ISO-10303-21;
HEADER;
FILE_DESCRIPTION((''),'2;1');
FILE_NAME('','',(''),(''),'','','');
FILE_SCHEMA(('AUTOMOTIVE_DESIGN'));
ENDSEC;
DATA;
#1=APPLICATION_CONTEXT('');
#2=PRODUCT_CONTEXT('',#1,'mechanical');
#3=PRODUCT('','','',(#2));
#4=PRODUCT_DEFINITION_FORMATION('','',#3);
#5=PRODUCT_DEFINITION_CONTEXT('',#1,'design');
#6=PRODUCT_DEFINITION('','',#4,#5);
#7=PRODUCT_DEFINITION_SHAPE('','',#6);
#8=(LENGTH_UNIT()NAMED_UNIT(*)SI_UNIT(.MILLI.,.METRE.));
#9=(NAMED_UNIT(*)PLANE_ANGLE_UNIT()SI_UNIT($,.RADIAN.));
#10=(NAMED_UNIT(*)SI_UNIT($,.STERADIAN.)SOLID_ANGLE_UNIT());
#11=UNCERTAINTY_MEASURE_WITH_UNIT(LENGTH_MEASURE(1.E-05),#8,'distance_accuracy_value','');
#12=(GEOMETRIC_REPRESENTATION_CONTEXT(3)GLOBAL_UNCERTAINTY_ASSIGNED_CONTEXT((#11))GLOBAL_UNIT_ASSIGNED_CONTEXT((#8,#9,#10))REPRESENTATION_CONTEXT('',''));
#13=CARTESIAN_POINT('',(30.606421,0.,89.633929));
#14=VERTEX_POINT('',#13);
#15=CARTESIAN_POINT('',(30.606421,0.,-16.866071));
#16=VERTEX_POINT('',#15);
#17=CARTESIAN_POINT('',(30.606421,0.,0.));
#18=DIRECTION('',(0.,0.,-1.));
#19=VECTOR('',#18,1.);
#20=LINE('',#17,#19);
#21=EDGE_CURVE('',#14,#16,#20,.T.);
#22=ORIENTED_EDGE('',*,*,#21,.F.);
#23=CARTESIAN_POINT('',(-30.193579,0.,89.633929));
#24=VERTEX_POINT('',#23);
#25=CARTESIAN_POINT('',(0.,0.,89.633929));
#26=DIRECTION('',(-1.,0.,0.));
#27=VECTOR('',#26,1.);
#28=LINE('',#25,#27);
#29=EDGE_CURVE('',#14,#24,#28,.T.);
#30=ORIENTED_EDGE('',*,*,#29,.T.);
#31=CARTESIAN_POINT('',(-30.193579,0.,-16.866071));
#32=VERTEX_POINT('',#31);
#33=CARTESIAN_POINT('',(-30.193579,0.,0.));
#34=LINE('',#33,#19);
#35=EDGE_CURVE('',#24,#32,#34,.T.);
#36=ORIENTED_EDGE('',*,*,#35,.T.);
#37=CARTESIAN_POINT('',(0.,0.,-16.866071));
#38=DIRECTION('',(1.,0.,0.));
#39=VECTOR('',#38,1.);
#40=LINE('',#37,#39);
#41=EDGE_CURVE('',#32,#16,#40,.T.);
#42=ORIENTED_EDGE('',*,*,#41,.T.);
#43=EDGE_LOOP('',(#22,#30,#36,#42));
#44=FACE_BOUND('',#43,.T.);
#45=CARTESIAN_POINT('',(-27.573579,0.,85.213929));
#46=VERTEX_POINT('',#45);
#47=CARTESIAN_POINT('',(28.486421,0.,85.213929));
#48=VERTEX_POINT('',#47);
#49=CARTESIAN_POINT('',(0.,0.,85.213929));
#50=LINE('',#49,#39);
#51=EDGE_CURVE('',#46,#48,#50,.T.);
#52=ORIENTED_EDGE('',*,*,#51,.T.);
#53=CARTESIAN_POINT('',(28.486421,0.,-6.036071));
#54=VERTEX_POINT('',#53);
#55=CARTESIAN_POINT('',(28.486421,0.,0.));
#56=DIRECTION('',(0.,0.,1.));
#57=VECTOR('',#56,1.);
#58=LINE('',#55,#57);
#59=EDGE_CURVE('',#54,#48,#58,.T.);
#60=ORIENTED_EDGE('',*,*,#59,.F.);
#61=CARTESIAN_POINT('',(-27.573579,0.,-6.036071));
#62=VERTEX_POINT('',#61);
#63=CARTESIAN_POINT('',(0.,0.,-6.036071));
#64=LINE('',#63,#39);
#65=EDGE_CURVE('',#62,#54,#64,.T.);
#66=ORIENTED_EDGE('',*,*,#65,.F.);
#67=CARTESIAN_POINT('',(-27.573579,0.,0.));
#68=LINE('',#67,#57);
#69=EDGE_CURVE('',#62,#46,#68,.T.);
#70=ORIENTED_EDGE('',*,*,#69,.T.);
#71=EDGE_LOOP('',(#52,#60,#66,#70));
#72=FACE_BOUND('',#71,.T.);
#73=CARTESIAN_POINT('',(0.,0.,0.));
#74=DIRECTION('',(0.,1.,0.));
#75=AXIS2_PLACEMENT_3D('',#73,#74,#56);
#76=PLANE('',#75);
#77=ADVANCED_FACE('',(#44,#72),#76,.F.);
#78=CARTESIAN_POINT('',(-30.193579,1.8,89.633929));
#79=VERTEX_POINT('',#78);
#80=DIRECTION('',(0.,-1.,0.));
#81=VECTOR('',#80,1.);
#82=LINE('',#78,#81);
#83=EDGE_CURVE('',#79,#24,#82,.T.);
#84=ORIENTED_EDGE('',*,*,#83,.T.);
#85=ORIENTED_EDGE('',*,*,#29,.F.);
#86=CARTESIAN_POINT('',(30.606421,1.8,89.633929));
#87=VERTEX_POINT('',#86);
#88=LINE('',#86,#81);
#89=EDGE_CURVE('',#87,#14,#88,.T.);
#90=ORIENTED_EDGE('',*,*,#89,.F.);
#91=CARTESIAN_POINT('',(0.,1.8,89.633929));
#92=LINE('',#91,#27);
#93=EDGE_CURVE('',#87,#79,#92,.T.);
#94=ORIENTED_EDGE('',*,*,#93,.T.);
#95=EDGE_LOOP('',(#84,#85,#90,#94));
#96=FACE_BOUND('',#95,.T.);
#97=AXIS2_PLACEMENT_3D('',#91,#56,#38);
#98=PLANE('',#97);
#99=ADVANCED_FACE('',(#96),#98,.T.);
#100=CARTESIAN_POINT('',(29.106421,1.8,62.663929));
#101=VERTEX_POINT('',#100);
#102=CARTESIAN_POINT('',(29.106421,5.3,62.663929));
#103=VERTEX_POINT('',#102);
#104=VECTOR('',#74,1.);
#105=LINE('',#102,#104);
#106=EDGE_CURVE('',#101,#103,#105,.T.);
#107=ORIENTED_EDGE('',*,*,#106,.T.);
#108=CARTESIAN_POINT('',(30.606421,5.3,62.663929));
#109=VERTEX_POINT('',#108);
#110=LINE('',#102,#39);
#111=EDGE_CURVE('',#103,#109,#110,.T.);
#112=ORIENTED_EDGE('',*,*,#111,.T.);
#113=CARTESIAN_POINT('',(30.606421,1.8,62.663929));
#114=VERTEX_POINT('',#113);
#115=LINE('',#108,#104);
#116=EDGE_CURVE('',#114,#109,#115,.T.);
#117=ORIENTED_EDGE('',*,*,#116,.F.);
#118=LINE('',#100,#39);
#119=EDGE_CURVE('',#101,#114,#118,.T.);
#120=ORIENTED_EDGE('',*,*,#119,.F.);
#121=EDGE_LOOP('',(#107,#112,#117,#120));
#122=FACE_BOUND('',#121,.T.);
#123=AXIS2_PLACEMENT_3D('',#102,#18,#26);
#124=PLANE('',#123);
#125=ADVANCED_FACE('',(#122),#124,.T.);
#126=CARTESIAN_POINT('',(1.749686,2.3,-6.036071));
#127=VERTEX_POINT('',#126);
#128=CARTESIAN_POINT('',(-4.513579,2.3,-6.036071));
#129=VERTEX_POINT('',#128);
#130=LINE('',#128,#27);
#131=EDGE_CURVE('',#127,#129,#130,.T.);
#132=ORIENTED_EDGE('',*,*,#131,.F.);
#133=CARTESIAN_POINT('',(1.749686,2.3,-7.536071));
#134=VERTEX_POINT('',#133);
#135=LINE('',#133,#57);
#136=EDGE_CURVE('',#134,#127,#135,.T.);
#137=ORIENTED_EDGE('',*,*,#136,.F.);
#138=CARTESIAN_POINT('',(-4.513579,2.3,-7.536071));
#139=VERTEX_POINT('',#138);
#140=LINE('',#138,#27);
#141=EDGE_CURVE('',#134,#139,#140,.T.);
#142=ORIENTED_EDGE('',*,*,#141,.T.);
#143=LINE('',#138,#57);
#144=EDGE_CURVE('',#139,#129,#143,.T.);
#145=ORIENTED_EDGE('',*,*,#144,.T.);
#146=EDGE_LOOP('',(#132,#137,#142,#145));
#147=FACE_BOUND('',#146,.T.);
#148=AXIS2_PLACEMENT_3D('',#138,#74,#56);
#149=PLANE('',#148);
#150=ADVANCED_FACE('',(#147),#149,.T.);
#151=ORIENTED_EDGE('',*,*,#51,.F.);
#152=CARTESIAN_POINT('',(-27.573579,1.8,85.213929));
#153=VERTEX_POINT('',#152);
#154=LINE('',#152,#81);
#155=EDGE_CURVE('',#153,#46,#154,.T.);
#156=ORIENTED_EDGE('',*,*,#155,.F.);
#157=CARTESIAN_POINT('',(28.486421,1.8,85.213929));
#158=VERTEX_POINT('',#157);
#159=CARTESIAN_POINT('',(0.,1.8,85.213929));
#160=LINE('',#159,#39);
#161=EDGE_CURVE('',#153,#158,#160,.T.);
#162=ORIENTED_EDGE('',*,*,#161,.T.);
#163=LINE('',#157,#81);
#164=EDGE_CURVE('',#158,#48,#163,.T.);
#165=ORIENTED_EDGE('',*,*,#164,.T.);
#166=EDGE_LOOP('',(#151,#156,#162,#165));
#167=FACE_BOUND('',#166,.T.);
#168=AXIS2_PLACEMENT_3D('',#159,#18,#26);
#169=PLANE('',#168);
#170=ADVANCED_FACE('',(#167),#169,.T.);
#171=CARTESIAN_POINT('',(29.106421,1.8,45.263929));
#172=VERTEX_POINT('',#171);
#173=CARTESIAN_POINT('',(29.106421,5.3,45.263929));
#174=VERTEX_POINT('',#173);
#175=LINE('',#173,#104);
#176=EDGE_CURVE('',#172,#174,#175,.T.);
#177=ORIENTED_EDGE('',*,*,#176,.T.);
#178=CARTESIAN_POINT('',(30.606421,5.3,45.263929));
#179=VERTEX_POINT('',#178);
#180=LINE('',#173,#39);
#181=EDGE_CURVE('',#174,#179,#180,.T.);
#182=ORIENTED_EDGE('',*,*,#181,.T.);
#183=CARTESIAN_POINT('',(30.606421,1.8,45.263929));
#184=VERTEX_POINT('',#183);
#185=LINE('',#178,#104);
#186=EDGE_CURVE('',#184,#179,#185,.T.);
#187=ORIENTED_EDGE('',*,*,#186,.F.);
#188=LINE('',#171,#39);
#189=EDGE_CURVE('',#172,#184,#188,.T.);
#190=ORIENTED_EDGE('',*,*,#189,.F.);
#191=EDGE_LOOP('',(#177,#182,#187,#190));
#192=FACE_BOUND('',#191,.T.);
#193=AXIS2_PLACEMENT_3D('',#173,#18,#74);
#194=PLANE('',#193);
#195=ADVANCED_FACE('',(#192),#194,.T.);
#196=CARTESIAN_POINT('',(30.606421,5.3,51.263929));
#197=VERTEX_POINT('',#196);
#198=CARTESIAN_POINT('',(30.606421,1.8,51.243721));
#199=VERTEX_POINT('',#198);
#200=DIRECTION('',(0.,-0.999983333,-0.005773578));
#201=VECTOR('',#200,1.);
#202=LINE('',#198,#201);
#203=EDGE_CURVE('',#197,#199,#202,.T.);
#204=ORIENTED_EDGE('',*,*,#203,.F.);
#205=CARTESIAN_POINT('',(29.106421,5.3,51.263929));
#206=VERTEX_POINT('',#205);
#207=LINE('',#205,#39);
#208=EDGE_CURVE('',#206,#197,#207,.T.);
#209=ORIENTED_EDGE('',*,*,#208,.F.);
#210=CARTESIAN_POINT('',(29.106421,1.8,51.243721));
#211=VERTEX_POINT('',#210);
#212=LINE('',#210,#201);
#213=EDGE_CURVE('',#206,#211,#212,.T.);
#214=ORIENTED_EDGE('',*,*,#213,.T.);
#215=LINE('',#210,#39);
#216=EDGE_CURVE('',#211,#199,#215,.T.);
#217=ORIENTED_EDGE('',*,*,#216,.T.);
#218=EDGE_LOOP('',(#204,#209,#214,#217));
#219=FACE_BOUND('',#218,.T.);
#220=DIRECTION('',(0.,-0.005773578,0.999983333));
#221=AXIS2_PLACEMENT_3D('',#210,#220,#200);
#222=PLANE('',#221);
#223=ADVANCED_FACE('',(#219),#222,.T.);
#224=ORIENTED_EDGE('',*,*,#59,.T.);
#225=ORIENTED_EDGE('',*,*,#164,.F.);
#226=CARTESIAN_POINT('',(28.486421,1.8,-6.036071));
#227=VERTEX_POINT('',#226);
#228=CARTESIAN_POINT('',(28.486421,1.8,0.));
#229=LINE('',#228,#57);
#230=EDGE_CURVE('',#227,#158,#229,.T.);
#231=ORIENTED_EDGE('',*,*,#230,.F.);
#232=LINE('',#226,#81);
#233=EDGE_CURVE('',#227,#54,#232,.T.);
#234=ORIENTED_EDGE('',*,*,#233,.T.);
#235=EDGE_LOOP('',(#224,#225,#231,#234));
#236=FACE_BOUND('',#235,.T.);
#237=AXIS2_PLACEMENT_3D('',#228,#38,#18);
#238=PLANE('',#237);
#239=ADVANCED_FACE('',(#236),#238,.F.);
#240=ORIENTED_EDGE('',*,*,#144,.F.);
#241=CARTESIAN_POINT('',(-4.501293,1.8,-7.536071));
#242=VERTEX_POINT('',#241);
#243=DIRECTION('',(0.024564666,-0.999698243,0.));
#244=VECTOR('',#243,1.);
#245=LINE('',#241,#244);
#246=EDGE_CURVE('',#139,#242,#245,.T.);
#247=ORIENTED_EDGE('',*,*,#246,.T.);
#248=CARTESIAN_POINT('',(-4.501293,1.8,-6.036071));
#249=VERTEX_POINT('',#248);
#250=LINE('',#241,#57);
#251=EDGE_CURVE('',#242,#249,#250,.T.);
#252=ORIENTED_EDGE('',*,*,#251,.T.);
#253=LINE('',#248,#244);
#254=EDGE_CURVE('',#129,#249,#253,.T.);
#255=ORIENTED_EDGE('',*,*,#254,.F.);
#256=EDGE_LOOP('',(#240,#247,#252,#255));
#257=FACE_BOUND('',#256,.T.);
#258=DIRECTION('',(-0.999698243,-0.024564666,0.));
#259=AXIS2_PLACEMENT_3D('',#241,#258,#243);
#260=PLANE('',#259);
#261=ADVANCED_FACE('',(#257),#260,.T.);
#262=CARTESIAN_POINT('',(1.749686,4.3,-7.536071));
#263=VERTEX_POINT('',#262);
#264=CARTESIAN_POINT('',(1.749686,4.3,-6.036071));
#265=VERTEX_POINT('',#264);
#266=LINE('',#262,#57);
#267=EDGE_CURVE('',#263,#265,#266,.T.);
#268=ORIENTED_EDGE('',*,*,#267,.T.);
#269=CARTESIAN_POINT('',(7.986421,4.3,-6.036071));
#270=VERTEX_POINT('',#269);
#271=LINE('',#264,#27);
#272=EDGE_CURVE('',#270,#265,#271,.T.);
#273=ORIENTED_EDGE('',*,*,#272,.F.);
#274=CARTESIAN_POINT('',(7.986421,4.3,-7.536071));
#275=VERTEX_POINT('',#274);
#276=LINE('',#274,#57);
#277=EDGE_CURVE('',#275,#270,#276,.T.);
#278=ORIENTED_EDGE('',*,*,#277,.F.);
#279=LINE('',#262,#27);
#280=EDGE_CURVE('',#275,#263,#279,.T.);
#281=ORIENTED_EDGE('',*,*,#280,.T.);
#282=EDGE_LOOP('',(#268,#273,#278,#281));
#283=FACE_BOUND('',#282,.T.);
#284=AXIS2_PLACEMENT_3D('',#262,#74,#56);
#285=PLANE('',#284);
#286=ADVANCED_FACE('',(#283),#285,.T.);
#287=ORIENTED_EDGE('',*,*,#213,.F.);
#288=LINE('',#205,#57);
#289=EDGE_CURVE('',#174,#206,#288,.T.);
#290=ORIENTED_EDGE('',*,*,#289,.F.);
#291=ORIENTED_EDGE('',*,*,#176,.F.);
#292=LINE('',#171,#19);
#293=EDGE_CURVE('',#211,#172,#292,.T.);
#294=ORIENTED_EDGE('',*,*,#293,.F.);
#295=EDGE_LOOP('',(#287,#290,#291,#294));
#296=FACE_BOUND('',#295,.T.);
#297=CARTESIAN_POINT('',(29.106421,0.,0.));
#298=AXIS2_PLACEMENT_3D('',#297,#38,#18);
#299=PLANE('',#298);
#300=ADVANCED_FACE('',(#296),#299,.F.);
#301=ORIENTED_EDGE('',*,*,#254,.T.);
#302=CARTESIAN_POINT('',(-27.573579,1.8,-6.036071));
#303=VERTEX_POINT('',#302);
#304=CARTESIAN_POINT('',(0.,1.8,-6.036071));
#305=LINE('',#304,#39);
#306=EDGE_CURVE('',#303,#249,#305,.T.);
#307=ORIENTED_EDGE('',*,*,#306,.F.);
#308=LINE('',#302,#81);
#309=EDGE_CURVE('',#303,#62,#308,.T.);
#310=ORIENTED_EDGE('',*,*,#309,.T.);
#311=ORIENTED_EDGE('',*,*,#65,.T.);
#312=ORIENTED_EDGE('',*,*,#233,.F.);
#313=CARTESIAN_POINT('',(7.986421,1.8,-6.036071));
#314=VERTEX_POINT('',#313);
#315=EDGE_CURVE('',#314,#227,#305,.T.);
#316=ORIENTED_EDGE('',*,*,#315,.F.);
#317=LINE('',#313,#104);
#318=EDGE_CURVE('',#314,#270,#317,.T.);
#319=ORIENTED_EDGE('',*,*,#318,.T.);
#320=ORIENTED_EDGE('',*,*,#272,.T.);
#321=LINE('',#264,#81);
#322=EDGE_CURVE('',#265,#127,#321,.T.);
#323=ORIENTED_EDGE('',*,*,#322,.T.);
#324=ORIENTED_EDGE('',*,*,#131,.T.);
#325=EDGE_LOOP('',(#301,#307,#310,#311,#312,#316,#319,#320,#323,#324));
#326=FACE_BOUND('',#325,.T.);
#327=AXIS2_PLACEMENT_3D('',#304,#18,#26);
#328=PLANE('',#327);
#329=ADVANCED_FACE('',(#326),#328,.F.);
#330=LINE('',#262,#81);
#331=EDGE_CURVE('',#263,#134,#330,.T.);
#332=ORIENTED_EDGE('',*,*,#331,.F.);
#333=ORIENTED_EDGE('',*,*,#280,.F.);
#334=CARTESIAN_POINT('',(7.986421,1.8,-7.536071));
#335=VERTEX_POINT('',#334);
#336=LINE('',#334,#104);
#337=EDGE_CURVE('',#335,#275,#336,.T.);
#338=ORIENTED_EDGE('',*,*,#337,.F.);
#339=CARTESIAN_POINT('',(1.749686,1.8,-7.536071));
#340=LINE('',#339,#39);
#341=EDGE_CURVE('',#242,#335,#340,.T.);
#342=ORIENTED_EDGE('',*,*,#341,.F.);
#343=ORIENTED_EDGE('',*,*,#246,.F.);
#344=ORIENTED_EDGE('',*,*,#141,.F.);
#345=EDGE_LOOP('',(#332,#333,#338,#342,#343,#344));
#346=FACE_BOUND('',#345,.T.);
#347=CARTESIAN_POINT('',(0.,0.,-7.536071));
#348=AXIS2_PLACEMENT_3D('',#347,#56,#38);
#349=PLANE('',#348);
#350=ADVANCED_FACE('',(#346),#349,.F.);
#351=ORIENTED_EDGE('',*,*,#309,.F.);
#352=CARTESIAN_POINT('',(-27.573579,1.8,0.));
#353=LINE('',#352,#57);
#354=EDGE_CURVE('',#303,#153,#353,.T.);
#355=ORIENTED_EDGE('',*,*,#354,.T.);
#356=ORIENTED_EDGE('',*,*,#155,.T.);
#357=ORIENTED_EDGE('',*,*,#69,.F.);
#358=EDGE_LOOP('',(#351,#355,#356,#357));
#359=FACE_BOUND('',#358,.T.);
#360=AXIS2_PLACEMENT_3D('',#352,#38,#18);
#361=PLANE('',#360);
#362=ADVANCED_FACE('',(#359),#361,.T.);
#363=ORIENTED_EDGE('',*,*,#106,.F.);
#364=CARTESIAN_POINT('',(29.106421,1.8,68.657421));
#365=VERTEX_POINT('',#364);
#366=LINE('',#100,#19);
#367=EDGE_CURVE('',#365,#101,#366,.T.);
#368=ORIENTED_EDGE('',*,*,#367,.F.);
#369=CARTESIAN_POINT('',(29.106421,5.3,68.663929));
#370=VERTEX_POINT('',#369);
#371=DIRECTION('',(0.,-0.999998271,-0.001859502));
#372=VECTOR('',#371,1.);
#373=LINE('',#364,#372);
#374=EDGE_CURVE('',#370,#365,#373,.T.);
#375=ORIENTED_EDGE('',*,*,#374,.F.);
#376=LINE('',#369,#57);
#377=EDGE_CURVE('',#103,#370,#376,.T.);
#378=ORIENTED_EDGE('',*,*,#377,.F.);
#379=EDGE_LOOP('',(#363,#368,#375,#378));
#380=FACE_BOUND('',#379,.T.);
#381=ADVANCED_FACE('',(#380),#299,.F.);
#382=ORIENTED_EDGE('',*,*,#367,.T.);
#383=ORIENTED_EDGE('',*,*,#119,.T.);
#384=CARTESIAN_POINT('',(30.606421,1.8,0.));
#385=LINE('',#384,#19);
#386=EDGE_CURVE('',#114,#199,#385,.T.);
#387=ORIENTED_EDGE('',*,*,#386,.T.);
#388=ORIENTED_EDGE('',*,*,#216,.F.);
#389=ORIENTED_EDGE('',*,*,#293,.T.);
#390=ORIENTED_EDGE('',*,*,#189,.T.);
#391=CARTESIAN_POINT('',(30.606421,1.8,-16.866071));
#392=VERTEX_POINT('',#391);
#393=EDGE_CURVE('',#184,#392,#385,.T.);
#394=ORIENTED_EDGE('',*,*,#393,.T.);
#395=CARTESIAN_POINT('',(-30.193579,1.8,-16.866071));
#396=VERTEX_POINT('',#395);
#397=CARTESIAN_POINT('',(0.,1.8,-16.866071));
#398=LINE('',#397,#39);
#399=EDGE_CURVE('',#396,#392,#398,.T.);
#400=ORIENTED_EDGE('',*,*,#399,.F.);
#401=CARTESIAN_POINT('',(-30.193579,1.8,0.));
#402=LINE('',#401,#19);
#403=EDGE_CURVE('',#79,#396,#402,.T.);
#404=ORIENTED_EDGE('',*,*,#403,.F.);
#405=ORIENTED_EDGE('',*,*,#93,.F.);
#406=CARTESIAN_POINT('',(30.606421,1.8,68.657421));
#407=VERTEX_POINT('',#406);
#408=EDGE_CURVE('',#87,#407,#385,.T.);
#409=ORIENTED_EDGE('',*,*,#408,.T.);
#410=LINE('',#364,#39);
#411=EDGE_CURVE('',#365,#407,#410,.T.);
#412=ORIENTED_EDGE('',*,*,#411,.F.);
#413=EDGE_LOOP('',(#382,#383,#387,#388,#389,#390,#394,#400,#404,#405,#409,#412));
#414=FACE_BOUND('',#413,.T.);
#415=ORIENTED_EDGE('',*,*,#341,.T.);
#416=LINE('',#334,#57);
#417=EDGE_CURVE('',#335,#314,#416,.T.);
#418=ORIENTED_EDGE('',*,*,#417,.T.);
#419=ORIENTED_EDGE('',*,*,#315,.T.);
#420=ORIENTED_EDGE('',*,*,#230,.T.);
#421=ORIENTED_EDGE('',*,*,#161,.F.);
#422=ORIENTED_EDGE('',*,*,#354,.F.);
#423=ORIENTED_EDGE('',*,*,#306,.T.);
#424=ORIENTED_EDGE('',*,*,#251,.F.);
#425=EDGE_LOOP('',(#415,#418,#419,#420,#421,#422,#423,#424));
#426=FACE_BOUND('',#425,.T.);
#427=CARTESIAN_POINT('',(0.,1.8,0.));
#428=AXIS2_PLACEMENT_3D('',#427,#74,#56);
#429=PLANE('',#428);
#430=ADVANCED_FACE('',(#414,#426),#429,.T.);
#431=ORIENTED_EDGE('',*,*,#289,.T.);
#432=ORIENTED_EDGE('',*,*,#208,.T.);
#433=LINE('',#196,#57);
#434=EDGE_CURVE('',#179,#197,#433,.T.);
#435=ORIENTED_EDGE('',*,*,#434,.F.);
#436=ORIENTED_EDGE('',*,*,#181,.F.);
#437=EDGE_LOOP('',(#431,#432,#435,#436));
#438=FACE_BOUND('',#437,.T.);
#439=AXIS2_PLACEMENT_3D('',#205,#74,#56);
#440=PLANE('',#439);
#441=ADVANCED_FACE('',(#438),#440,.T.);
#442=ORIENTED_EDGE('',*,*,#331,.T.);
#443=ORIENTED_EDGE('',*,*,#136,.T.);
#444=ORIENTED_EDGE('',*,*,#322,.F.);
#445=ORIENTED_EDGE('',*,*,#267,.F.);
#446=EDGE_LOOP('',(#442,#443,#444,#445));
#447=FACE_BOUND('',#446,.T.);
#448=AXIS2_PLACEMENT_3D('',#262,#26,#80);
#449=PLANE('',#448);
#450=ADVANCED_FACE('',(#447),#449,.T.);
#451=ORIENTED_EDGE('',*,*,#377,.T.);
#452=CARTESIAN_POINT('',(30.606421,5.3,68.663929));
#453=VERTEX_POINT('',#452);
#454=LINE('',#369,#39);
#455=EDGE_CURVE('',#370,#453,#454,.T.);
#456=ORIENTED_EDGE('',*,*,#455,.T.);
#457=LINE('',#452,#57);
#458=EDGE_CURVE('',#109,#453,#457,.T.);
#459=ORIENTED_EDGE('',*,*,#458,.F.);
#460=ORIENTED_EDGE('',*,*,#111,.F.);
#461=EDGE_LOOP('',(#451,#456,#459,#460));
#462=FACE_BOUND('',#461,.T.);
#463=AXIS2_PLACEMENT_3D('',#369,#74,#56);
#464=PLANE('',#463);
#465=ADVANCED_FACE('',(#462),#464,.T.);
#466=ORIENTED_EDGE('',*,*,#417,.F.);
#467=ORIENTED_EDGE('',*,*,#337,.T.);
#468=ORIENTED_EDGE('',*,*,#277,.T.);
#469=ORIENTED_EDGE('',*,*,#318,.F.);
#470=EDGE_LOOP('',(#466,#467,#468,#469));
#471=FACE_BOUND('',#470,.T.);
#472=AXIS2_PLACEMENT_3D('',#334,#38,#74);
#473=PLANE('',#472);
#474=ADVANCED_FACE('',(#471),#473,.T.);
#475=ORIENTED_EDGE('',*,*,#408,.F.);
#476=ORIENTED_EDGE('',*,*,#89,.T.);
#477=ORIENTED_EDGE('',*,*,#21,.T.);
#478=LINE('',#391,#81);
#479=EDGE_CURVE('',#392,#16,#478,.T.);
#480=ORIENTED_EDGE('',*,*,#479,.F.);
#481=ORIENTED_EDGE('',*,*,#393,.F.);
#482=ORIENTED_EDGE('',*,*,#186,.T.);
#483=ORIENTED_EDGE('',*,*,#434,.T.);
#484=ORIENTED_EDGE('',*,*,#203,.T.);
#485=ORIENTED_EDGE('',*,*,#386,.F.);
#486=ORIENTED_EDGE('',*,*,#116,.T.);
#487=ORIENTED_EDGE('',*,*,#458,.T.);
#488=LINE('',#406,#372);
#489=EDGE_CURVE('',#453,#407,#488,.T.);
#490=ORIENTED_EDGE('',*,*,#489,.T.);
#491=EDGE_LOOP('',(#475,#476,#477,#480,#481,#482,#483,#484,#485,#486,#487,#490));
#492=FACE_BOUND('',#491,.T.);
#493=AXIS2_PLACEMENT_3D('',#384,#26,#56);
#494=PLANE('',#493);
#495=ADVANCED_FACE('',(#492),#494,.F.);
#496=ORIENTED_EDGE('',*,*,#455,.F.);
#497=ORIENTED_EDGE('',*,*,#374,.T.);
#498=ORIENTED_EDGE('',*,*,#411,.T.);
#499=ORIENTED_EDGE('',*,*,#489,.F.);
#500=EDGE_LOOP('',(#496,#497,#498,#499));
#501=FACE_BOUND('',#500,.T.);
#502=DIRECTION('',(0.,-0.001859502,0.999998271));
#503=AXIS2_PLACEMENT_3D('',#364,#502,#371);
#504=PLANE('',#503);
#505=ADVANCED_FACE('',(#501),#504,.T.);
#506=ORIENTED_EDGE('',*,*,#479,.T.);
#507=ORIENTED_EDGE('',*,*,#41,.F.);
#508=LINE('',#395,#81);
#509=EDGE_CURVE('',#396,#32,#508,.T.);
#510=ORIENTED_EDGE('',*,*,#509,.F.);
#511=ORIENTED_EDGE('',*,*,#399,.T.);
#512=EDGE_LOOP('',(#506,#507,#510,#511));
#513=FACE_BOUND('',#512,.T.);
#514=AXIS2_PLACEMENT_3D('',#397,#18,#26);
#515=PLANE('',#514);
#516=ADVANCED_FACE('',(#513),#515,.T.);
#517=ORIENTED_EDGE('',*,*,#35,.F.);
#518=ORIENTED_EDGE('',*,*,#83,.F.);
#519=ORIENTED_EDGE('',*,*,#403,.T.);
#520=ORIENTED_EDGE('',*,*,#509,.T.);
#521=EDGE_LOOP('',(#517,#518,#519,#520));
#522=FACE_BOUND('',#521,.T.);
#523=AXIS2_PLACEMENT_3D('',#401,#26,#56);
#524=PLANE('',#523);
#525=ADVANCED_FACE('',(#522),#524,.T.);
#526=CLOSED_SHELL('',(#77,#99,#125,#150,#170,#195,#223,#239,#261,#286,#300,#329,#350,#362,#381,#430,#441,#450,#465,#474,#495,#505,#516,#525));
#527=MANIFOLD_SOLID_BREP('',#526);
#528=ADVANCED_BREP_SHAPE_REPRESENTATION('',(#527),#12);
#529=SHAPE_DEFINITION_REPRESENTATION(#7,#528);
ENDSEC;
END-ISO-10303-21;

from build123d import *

# Parameters (mm, degrees)
SKETCH1_W           = 56.06
SKETCH1_H           = 91.25
BOSS_EXTRUDE1_DEPTH = 1.8
BOSS_EXTRUDE2_DEPTH = 1.5
BOSS_EXTRUDE3_DEPTH = 1.5


with BuildPart() as part:
    # Sketch1 → Boss-Extrude1 (new body)
    # profile 1 of 2: a face of its own
    with BuildSketch(Plane(origin=(0, 0, 0), x_dir=(1, 0, 0), z_dir=(0, 1, 0))):
        Polygon((-30.193578772, 16.86607096), (30.606421228, 16.86607096), (30.606421228, -89.63392904), (-0.343578772, -89.63392904), (-30.193578772, -89.63392904), align=None)
        Polygon((-28.695861914, -88.133930777), (-28.695861914, 15.366069223), (29.104138086, 15.366069223), (29.104138086, -88.133930777), (-0.345861914, -88.133930777), align=None, mode=Mode.SUBTRACT)
    # profile 2 of 2: a face of its own
    with BuildSketch(Plane(origin=(0, 0, 0), x_dir=(1, 0, 0), z_dir=(0, 1, 0))):
        Polygon((-28.695861914, -88.133930777), (-0.345861914, -88.133930777), (29.104138086, -88.133930777), (29.104138086, 15.366069223), (-28.695861914, 15.366069223), align=None)
        with Locations((0.456421228, -39.58892904)):
            Rectangle(SKETCH1_W, SKETCH1_H, mode=Mode.SUBTRACT)
    extrude(amount=BOSS_EXTRUDE1_DEPTH)

    # Sketch4 → Boss-Extrude2 (add)
    with BuildSketch(Plane.XY.offset(-6.03607096)):
        Polygon((7.986421228, 1.8), (7.986421228, 4.3), (1.749686336, 4.3), (1.749686336, 2.3), (-4.513578772, 2.3), (-4.501292732, 1.8), (1.749686336, 1.8), align=None)
    extrude(amount=-BOSS_EXTRUDE2_DEPTH)

    # Sketch5 → Boss-Extrude3 (add)
    with BuildSketch(Plane(origin=(30.606421228, 0, 0), x_dir=(0, 0, -1), z_dir=(1, 0, 0))):
        Polygon((-68.657420773, 1.8), (-68.66392904, 5.3), (-62.66392904, 5.3), (-62.66392904, 1.8), align=None)
        Polygon((-51.24372118, 1.8), (-51.26392904, 5.3), (-45.26392904, 5.3), (-45.26392904, 1.8), align=None)
    extrude(amount=-BOSS_EXTRUDE3_DEPTH)


solid = part.part
